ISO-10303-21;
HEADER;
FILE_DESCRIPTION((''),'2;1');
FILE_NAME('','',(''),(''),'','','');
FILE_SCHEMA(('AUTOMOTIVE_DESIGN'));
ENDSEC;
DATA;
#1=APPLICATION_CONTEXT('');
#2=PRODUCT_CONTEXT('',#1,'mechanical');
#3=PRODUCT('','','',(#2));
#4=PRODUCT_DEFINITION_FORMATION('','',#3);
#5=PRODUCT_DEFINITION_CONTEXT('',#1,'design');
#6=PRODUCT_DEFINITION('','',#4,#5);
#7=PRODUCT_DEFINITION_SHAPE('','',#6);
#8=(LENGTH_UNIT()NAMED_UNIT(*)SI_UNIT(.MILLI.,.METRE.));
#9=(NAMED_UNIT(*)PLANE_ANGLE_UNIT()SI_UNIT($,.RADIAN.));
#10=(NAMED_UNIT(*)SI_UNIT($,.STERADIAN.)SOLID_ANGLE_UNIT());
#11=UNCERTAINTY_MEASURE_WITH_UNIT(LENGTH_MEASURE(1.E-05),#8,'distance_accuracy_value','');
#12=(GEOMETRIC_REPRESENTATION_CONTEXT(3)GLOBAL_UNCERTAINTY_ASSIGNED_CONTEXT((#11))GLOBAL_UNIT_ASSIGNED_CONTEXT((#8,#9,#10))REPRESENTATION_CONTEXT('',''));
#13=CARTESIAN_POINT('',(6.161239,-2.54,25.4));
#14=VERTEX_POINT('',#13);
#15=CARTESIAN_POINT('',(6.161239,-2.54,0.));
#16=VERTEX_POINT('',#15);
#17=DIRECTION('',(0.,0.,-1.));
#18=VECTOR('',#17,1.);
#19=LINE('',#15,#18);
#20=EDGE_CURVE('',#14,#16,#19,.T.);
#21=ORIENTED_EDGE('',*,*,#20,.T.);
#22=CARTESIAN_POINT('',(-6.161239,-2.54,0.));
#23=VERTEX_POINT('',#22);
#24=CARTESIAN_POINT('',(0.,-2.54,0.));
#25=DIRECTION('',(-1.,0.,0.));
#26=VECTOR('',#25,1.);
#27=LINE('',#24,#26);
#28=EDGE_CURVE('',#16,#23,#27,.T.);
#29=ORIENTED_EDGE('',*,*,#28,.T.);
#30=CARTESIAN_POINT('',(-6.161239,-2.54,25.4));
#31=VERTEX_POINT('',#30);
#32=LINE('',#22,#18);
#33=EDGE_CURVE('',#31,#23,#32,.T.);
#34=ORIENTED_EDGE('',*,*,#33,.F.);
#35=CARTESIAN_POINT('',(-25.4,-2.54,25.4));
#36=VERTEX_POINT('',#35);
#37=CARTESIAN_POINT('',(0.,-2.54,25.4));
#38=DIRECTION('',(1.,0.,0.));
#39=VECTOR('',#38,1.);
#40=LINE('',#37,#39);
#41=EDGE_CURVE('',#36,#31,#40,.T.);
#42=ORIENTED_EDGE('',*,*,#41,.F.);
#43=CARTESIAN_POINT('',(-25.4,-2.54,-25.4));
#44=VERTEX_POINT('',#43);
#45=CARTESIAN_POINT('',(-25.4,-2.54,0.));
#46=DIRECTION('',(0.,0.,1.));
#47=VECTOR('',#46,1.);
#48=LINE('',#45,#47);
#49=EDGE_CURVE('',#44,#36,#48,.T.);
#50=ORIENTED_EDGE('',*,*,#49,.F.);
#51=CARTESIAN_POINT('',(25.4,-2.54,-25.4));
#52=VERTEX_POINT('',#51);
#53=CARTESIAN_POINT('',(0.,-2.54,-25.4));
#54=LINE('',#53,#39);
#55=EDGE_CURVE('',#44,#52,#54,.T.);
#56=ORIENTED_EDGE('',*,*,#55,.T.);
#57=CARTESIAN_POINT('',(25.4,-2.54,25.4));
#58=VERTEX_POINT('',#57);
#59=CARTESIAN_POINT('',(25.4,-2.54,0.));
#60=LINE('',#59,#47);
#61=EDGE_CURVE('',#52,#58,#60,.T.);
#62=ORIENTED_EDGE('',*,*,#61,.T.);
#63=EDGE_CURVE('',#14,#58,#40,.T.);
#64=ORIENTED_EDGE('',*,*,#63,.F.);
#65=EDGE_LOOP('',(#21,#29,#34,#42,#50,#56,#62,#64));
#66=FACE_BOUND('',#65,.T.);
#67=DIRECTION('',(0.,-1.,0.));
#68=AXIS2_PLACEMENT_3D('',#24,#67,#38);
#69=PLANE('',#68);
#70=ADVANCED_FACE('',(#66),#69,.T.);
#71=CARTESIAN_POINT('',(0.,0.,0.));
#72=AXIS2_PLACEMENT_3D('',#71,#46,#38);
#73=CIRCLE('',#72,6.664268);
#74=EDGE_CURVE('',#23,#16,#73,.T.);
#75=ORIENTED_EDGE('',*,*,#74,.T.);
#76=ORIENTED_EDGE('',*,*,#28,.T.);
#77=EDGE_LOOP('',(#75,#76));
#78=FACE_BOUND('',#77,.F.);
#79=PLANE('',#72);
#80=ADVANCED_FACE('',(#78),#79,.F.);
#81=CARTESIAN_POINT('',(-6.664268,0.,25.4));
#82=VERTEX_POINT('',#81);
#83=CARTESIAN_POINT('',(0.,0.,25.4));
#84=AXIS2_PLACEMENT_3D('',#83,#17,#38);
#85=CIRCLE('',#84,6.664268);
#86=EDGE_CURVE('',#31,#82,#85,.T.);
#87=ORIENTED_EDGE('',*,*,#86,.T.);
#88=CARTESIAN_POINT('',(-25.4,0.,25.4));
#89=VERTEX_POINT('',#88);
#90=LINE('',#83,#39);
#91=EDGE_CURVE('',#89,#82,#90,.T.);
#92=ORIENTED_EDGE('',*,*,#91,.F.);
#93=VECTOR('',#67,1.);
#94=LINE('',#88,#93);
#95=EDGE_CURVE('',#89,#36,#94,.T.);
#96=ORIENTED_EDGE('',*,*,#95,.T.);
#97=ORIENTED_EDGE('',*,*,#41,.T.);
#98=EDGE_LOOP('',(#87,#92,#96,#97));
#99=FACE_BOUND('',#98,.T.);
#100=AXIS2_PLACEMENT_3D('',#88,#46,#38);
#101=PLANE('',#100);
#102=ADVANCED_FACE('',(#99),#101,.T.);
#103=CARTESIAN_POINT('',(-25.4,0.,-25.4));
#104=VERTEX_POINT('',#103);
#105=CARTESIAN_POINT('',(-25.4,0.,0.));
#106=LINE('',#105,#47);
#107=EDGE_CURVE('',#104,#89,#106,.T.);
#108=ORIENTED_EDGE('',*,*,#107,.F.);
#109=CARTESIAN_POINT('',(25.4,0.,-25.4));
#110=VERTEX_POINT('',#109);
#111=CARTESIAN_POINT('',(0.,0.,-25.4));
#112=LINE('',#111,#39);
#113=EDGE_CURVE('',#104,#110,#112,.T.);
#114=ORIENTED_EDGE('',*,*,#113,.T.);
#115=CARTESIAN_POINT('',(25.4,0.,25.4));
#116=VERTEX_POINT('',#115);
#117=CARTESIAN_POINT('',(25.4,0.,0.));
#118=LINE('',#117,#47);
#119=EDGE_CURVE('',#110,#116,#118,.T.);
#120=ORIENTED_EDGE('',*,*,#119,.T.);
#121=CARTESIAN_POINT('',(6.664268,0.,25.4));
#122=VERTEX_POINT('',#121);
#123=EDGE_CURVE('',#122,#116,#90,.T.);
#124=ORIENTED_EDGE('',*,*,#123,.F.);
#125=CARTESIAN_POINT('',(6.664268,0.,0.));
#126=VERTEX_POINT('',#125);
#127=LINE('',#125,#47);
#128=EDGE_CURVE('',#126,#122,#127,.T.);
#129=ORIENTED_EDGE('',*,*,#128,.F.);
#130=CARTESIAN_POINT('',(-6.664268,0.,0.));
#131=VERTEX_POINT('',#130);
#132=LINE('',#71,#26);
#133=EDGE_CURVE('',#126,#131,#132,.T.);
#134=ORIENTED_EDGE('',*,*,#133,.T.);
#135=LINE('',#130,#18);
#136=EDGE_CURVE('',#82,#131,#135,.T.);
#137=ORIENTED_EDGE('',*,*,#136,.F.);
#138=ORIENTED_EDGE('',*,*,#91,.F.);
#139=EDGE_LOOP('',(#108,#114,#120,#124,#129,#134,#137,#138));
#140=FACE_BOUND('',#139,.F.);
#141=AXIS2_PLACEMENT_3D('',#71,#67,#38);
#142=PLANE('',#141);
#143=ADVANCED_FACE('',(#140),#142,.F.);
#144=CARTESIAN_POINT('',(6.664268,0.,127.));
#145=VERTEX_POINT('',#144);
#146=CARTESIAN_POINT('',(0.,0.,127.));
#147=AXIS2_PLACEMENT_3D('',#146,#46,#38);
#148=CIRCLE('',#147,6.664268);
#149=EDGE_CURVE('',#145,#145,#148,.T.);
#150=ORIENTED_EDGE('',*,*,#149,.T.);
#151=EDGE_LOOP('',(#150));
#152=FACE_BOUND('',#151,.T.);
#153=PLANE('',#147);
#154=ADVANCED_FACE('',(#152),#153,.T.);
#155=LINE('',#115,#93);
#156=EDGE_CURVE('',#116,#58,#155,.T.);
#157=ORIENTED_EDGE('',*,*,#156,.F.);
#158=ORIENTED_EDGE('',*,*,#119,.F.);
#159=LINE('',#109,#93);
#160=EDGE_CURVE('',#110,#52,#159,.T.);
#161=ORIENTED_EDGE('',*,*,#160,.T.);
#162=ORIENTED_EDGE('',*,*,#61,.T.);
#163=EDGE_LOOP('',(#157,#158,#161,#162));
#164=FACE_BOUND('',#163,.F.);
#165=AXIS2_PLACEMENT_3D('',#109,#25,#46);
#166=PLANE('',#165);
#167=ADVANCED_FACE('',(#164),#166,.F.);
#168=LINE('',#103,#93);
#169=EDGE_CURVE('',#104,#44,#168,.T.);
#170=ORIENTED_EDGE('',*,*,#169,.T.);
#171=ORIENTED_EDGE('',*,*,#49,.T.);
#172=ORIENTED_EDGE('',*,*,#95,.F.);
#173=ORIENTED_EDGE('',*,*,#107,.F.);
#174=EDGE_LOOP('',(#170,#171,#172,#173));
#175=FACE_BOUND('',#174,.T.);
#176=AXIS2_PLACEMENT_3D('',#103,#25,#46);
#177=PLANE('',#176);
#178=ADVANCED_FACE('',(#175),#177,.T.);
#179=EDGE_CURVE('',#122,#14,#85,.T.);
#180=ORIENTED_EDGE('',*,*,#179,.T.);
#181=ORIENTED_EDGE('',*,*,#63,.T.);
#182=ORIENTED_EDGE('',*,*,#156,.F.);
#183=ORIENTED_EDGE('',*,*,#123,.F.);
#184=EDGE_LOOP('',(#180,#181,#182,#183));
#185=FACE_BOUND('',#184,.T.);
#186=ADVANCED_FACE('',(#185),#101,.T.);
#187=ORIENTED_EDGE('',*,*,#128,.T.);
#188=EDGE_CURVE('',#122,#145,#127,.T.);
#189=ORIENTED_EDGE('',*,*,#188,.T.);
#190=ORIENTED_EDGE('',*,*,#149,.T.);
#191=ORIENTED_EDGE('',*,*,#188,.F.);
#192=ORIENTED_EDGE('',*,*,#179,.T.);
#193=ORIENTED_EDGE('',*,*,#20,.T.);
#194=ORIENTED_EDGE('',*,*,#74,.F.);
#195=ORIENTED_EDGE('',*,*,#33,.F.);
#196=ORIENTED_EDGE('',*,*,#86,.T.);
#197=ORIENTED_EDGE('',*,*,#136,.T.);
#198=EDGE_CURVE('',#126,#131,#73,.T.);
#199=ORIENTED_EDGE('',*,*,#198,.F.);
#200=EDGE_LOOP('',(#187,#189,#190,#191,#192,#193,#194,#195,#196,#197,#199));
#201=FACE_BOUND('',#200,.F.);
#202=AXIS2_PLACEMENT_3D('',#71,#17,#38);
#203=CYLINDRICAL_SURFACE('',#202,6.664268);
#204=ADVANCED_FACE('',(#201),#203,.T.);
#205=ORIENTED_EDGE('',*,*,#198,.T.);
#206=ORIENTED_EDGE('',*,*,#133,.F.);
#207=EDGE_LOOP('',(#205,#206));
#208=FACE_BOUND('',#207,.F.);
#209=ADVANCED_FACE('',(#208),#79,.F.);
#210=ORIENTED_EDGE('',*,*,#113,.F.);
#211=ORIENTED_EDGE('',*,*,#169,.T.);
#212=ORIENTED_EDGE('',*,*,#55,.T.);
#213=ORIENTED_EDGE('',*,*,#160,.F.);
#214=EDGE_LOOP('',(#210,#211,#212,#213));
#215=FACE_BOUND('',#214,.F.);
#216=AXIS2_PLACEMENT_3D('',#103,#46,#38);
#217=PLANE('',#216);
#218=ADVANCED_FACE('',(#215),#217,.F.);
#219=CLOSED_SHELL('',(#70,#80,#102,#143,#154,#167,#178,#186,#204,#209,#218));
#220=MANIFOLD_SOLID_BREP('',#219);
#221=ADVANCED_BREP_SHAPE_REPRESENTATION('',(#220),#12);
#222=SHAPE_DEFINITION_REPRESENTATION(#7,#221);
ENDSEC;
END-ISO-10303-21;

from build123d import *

# Parameters (mm, degrees)
F0_W     = 50.8
F0_H     = 50.8
F1_DEPTH = 2.54
F2_R     = 6.664268
F3_DEPTH = 127


with BuildPart() as f1:
    # F0 (on Front) → F1 (new body)
    with BuildSketch(Plane.XZ):
        Rectangle(F0_W, F0_H)
    extrude(amount=F1_DEPTH)

    # F2 (on Top) → F3 (join)
    with BuildSketch(Plane.XY):
        Circle(F2_R)
    extrude(amount=F3_DEPTH)


solid = f1.part
